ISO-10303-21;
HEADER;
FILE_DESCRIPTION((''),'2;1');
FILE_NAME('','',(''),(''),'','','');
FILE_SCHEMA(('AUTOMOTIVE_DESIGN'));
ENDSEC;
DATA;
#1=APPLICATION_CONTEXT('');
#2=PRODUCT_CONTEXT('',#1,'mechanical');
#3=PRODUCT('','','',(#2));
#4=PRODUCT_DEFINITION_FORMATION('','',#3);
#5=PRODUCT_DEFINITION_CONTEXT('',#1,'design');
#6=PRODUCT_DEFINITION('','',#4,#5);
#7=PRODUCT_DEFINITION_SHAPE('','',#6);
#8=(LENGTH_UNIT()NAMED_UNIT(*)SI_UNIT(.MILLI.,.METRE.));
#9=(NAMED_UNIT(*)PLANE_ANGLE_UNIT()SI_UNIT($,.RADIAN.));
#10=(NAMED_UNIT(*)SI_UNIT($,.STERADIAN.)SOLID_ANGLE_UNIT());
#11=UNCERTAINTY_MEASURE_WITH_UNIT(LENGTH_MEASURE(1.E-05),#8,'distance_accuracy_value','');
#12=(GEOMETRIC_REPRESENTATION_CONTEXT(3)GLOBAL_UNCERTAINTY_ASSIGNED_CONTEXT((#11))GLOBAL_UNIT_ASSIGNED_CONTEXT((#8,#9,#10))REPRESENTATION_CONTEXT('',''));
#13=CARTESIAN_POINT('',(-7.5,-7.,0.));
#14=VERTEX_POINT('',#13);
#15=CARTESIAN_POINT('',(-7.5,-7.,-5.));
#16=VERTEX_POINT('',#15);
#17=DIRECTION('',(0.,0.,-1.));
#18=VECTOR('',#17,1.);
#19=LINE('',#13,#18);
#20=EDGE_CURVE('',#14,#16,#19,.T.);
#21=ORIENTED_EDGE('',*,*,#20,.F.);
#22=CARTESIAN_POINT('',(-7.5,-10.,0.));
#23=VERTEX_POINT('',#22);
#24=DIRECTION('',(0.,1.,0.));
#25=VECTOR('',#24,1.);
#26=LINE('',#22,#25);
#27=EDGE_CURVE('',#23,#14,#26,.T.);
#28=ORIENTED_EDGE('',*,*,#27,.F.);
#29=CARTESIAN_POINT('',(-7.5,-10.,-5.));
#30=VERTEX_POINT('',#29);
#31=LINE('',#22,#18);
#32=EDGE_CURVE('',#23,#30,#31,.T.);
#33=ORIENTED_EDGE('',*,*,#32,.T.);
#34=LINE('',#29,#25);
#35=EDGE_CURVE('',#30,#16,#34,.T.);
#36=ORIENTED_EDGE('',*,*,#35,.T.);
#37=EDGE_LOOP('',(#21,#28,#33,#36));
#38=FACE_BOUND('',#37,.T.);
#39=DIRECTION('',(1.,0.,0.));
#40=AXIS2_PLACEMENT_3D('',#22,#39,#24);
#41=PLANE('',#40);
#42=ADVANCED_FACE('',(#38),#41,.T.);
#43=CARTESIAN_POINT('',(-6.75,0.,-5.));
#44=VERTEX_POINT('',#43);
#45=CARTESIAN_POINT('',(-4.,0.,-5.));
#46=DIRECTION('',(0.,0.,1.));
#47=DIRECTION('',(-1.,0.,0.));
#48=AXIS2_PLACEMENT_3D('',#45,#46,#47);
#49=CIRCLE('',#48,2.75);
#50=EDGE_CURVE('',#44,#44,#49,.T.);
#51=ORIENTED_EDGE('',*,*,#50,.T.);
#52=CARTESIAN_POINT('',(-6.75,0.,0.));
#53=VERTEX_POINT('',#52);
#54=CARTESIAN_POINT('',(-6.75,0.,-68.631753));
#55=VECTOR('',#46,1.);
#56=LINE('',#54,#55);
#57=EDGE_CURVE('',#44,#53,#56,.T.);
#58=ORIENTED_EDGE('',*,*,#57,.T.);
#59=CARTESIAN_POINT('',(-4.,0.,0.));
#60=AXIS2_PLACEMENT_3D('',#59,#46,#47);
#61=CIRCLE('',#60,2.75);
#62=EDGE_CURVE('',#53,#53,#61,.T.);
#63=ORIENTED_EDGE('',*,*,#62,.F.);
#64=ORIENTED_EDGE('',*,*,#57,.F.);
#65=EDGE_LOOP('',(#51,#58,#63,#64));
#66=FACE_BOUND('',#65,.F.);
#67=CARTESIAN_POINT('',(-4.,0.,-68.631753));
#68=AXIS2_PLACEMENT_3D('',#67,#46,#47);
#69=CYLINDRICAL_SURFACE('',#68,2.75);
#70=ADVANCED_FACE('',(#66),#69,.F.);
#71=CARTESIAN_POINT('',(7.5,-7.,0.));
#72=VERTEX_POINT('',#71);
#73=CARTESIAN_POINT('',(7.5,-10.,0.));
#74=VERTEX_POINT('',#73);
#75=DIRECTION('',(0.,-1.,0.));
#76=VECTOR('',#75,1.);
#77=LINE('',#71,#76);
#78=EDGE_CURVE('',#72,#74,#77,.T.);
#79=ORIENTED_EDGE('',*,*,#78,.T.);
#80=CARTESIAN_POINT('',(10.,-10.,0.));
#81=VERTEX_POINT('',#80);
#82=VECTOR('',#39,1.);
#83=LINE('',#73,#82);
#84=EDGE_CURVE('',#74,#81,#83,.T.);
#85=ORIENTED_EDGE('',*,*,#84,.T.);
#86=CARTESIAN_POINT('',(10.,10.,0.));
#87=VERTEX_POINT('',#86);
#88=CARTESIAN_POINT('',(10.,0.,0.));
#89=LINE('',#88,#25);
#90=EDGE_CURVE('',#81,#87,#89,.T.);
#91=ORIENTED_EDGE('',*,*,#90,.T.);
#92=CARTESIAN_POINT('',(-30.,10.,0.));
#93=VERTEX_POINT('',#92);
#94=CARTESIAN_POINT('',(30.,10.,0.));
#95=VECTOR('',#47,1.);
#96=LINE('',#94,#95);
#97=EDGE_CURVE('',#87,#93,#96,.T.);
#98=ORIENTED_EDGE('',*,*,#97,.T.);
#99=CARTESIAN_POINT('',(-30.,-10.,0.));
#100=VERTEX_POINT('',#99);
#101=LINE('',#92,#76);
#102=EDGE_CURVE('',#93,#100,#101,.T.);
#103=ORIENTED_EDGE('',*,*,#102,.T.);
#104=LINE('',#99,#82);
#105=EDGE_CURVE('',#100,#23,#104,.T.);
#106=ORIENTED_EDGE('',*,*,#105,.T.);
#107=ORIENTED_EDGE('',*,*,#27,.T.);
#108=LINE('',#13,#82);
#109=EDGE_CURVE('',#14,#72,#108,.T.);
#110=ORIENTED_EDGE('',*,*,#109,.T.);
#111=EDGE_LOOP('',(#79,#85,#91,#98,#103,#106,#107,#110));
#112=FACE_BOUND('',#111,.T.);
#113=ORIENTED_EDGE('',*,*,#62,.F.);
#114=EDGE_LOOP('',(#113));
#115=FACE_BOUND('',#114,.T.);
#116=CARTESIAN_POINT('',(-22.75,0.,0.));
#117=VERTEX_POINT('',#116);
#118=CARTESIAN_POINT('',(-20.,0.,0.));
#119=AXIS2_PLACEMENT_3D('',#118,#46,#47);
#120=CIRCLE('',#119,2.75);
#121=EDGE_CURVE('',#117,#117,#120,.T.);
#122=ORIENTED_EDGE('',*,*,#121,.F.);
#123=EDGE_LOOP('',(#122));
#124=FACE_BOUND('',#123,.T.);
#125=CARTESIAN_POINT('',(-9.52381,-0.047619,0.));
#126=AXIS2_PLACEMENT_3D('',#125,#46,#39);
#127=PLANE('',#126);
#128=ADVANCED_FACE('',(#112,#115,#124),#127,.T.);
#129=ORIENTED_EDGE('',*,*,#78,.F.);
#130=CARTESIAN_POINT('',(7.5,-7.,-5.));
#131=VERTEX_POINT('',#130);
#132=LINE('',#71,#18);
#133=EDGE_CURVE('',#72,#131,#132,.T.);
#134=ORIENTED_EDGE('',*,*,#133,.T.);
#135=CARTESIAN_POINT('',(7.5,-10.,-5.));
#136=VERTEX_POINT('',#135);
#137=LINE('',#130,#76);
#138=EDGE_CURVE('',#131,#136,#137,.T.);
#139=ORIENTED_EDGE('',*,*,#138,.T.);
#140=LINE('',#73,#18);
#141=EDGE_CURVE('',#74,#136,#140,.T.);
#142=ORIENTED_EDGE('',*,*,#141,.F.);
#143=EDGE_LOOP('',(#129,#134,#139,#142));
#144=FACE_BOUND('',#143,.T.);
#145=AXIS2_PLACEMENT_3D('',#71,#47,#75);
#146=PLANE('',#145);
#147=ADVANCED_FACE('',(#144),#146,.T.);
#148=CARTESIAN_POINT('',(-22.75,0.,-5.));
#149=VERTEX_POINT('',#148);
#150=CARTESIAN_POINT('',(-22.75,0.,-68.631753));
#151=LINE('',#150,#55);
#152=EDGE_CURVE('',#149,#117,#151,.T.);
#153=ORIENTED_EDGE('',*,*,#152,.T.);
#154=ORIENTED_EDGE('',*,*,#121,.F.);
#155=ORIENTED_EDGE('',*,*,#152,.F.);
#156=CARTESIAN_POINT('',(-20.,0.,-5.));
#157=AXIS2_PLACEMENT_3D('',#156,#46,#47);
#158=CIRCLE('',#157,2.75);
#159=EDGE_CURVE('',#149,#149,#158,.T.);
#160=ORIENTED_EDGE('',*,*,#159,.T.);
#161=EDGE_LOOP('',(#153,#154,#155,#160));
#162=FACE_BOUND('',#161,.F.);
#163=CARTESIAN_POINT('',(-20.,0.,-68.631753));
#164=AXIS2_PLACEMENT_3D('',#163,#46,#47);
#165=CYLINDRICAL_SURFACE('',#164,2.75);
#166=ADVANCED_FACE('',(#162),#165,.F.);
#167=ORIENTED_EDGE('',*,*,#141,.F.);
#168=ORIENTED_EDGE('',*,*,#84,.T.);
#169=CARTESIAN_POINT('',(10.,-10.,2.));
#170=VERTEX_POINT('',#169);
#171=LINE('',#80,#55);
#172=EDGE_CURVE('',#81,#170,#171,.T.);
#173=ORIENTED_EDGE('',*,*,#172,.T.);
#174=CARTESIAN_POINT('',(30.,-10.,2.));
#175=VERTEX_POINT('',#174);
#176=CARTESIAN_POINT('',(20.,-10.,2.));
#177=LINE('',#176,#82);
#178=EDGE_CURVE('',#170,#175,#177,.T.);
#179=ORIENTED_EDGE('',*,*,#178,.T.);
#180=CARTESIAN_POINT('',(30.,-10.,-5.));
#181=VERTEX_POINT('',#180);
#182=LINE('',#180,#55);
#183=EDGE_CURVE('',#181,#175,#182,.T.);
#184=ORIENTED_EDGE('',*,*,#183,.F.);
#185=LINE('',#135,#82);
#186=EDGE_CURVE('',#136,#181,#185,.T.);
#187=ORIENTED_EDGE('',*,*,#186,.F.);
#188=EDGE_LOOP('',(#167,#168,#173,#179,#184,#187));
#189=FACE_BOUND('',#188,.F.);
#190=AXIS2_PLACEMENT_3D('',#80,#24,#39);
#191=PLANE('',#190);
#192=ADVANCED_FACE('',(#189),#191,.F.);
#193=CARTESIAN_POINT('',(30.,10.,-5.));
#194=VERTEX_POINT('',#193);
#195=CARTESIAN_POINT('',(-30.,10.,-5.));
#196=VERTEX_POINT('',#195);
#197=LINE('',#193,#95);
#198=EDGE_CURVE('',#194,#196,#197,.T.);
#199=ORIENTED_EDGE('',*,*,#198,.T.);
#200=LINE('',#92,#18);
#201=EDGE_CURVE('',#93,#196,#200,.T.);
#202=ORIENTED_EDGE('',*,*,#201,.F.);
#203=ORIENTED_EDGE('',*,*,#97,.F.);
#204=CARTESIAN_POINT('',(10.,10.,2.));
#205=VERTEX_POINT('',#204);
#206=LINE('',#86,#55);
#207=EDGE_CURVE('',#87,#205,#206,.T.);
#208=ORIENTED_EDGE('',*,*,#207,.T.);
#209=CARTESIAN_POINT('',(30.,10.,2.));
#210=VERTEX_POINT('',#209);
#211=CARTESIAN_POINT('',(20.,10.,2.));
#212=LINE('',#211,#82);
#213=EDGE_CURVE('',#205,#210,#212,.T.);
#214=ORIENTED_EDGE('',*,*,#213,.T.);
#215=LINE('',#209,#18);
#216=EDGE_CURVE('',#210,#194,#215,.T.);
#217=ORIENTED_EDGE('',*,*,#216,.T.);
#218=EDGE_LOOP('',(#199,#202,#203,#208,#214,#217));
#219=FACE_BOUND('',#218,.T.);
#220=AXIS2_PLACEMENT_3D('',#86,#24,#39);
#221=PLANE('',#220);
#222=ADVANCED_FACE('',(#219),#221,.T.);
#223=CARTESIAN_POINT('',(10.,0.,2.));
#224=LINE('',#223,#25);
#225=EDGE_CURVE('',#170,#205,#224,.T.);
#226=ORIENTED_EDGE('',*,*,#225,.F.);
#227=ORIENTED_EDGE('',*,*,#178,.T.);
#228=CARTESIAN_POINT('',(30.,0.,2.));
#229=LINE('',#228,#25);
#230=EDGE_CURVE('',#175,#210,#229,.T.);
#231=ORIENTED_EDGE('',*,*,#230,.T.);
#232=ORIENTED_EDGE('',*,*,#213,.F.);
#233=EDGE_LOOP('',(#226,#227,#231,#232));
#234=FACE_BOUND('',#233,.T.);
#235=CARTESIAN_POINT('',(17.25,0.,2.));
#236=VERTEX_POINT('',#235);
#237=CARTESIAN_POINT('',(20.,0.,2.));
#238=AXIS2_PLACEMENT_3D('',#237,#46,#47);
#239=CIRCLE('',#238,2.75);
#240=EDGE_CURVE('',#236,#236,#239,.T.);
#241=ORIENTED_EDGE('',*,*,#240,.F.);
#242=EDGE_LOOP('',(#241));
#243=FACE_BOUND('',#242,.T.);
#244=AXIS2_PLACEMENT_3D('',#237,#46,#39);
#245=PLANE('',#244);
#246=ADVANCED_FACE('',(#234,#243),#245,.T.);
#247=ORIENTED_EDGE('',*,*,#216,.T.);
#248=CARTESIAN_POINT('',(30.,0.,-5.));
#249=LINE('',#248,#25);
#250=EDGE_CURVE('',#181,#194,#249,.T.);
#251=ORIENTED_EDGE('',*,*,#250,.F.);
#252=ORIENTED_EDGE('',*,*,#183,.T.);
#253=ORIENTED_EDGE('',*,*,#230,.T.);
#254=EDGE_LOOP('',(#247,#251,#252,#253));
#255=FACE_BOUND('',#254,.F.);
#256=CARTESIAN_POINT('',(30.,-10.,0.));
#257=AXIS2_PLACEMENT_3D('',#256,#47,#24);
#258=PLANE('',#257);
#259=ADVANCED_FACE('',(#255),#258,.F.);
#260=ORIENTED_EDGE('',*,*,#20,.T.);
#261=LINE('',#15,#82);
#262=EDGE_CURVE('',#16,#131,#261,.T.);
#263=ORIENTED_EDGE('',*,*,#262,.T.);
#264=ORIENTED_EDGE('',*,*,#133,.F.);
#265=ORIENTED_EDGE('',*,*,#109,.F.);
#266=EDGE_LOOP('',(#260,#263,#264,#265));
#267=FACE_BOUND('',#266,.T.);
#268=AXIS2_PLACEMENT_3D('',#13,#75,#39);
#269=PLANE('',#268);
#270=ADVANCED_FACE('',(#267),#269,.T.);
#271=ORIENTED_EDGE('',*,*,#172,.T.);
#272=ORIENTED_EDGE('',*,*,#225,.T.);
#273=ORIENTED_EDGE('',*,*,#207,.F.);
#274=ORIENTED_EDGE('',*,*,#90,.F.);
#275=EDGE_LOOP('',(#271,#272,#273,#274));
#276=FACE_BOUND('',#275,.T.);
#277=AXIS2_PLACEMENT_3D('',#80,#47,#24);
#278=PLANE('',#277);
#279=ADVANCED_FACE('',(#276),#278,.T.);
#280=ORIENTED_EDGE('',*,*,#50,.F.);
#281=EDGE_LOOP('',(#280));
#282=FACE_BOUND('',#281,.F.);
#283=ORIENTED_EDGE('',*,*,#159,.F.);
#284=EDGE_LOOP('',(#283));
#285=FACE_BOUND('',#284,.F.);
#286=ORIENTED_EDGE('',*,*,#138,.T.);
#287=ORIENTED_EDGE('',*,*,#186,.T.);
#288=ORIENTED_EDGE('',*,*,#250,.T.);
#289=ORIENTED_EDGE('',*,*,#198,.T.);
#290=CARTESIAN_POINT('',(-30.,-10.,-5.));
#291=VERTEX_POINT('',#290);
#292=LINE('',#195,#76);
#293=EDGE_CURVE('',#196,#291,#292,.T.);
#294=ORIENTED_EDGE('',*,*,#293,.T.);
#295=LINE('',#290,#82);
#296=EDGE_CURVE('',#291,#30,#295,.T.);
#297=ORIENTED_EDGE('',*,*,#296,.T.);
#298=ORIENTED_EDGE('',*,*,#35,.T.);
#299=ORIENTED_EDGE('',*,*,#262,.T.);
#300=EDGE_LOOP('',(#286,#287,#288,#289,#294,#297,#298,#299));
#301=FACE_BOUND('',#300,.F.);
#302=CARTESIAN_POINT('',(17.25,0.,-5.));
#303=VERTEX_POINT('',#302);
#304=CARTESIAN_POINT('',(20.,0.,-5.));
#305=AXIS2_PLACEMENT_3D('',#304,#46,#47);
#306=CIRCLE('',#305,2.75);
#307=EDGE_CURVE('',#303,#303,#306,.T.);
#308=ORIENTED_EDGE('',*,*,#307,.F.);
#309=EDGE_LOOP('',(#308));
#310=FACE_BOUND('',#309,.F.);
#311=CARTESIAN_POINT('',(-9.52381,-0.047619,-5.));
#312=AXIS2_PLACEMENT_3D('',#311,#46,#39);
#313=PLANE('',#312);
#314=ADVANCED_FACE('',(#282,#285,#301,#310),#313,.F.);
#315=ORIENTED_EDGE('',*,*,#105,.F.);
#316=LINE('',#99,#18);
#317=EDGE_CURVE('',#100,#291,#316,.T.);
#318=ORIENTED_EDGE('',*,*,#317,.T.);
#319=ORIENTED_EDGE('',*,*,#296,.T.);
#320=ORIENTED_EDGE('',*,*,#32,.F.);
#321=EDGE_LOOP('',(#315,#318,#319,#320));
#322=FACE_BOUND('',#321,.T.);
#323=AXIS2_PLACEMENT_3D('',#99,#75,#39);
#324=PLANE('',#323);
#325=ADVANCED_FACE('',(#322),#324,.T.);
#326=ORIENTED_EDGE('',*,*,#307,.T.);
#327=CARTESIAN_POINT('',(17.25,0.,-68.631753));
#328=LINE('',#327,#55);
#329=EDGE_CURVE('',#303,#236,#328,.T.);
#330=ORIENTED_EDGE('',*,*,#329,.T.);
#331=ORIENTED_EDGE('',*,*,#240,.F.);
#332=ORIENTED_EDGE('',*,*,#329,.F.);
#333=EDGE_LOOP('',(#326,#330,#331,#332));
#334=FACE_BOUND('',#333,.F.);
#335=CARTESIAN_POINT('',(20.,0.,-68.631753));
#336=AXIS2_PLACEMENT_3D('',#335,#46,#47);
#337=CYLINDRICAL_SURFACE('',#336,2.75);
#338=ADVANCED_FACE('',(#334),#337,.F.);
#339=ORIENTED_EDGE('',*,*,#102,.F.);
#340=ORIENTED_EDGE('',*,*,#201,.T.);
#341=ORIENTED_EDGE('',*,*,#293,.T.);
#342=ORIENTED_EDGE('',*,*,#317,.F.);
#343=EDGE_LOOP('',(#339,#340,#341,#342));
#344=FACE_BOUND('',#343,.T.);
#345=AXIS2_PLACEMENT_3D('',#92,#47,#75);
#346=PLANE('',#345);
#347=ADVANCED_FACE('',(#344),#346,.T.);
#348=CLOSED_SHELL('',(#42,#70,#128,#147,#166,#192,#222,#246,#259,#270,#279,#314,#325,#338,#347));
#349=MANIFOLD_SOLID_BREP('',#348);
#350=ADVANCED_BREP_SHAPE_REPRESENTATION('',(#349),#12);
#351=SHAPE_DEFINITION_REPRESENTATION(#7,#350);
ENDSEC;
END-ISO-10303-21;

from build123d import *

# Parameters (mm, degrees)
F0_W     = 20
F0_H     = 20
F1_DEPTH = 5
F2_DEPTH = 2
F4_D     = 5.5


with BuildPart() as f1:
    # F0 (on Top) → F1 (new body)
    with BuildSketch(Plane.XY):
        Polygon((10, 10), (-30, 10), (-30, -10), (-7.5, -10), (-7.5, -7), (7.5, -7), (7.5, -10), (10, -10), align=None)
        with Locations((20, 0)):
            Rectangle(F0_W, F0_H)
    extrude(amount=-F1_DEPTH)

    # F0 (on Top) → F2 (join)
    with BuildSketch(Plane.XY):
        with Locations((20, 0)):
            Rectangle(F0_W, F0_H)
    extrude(amount=F2_DEPTH)

    # F4 (through all)
    with Locations(Plane(origin=(0, 0, -5), x_dir=(1, 0, 0), z_dir=(0, 0, -1))):
        with Locations((-20, 0), (20, 0), (-4, 0)):
            Hole(F4_D / 2)


solid = f1.part
